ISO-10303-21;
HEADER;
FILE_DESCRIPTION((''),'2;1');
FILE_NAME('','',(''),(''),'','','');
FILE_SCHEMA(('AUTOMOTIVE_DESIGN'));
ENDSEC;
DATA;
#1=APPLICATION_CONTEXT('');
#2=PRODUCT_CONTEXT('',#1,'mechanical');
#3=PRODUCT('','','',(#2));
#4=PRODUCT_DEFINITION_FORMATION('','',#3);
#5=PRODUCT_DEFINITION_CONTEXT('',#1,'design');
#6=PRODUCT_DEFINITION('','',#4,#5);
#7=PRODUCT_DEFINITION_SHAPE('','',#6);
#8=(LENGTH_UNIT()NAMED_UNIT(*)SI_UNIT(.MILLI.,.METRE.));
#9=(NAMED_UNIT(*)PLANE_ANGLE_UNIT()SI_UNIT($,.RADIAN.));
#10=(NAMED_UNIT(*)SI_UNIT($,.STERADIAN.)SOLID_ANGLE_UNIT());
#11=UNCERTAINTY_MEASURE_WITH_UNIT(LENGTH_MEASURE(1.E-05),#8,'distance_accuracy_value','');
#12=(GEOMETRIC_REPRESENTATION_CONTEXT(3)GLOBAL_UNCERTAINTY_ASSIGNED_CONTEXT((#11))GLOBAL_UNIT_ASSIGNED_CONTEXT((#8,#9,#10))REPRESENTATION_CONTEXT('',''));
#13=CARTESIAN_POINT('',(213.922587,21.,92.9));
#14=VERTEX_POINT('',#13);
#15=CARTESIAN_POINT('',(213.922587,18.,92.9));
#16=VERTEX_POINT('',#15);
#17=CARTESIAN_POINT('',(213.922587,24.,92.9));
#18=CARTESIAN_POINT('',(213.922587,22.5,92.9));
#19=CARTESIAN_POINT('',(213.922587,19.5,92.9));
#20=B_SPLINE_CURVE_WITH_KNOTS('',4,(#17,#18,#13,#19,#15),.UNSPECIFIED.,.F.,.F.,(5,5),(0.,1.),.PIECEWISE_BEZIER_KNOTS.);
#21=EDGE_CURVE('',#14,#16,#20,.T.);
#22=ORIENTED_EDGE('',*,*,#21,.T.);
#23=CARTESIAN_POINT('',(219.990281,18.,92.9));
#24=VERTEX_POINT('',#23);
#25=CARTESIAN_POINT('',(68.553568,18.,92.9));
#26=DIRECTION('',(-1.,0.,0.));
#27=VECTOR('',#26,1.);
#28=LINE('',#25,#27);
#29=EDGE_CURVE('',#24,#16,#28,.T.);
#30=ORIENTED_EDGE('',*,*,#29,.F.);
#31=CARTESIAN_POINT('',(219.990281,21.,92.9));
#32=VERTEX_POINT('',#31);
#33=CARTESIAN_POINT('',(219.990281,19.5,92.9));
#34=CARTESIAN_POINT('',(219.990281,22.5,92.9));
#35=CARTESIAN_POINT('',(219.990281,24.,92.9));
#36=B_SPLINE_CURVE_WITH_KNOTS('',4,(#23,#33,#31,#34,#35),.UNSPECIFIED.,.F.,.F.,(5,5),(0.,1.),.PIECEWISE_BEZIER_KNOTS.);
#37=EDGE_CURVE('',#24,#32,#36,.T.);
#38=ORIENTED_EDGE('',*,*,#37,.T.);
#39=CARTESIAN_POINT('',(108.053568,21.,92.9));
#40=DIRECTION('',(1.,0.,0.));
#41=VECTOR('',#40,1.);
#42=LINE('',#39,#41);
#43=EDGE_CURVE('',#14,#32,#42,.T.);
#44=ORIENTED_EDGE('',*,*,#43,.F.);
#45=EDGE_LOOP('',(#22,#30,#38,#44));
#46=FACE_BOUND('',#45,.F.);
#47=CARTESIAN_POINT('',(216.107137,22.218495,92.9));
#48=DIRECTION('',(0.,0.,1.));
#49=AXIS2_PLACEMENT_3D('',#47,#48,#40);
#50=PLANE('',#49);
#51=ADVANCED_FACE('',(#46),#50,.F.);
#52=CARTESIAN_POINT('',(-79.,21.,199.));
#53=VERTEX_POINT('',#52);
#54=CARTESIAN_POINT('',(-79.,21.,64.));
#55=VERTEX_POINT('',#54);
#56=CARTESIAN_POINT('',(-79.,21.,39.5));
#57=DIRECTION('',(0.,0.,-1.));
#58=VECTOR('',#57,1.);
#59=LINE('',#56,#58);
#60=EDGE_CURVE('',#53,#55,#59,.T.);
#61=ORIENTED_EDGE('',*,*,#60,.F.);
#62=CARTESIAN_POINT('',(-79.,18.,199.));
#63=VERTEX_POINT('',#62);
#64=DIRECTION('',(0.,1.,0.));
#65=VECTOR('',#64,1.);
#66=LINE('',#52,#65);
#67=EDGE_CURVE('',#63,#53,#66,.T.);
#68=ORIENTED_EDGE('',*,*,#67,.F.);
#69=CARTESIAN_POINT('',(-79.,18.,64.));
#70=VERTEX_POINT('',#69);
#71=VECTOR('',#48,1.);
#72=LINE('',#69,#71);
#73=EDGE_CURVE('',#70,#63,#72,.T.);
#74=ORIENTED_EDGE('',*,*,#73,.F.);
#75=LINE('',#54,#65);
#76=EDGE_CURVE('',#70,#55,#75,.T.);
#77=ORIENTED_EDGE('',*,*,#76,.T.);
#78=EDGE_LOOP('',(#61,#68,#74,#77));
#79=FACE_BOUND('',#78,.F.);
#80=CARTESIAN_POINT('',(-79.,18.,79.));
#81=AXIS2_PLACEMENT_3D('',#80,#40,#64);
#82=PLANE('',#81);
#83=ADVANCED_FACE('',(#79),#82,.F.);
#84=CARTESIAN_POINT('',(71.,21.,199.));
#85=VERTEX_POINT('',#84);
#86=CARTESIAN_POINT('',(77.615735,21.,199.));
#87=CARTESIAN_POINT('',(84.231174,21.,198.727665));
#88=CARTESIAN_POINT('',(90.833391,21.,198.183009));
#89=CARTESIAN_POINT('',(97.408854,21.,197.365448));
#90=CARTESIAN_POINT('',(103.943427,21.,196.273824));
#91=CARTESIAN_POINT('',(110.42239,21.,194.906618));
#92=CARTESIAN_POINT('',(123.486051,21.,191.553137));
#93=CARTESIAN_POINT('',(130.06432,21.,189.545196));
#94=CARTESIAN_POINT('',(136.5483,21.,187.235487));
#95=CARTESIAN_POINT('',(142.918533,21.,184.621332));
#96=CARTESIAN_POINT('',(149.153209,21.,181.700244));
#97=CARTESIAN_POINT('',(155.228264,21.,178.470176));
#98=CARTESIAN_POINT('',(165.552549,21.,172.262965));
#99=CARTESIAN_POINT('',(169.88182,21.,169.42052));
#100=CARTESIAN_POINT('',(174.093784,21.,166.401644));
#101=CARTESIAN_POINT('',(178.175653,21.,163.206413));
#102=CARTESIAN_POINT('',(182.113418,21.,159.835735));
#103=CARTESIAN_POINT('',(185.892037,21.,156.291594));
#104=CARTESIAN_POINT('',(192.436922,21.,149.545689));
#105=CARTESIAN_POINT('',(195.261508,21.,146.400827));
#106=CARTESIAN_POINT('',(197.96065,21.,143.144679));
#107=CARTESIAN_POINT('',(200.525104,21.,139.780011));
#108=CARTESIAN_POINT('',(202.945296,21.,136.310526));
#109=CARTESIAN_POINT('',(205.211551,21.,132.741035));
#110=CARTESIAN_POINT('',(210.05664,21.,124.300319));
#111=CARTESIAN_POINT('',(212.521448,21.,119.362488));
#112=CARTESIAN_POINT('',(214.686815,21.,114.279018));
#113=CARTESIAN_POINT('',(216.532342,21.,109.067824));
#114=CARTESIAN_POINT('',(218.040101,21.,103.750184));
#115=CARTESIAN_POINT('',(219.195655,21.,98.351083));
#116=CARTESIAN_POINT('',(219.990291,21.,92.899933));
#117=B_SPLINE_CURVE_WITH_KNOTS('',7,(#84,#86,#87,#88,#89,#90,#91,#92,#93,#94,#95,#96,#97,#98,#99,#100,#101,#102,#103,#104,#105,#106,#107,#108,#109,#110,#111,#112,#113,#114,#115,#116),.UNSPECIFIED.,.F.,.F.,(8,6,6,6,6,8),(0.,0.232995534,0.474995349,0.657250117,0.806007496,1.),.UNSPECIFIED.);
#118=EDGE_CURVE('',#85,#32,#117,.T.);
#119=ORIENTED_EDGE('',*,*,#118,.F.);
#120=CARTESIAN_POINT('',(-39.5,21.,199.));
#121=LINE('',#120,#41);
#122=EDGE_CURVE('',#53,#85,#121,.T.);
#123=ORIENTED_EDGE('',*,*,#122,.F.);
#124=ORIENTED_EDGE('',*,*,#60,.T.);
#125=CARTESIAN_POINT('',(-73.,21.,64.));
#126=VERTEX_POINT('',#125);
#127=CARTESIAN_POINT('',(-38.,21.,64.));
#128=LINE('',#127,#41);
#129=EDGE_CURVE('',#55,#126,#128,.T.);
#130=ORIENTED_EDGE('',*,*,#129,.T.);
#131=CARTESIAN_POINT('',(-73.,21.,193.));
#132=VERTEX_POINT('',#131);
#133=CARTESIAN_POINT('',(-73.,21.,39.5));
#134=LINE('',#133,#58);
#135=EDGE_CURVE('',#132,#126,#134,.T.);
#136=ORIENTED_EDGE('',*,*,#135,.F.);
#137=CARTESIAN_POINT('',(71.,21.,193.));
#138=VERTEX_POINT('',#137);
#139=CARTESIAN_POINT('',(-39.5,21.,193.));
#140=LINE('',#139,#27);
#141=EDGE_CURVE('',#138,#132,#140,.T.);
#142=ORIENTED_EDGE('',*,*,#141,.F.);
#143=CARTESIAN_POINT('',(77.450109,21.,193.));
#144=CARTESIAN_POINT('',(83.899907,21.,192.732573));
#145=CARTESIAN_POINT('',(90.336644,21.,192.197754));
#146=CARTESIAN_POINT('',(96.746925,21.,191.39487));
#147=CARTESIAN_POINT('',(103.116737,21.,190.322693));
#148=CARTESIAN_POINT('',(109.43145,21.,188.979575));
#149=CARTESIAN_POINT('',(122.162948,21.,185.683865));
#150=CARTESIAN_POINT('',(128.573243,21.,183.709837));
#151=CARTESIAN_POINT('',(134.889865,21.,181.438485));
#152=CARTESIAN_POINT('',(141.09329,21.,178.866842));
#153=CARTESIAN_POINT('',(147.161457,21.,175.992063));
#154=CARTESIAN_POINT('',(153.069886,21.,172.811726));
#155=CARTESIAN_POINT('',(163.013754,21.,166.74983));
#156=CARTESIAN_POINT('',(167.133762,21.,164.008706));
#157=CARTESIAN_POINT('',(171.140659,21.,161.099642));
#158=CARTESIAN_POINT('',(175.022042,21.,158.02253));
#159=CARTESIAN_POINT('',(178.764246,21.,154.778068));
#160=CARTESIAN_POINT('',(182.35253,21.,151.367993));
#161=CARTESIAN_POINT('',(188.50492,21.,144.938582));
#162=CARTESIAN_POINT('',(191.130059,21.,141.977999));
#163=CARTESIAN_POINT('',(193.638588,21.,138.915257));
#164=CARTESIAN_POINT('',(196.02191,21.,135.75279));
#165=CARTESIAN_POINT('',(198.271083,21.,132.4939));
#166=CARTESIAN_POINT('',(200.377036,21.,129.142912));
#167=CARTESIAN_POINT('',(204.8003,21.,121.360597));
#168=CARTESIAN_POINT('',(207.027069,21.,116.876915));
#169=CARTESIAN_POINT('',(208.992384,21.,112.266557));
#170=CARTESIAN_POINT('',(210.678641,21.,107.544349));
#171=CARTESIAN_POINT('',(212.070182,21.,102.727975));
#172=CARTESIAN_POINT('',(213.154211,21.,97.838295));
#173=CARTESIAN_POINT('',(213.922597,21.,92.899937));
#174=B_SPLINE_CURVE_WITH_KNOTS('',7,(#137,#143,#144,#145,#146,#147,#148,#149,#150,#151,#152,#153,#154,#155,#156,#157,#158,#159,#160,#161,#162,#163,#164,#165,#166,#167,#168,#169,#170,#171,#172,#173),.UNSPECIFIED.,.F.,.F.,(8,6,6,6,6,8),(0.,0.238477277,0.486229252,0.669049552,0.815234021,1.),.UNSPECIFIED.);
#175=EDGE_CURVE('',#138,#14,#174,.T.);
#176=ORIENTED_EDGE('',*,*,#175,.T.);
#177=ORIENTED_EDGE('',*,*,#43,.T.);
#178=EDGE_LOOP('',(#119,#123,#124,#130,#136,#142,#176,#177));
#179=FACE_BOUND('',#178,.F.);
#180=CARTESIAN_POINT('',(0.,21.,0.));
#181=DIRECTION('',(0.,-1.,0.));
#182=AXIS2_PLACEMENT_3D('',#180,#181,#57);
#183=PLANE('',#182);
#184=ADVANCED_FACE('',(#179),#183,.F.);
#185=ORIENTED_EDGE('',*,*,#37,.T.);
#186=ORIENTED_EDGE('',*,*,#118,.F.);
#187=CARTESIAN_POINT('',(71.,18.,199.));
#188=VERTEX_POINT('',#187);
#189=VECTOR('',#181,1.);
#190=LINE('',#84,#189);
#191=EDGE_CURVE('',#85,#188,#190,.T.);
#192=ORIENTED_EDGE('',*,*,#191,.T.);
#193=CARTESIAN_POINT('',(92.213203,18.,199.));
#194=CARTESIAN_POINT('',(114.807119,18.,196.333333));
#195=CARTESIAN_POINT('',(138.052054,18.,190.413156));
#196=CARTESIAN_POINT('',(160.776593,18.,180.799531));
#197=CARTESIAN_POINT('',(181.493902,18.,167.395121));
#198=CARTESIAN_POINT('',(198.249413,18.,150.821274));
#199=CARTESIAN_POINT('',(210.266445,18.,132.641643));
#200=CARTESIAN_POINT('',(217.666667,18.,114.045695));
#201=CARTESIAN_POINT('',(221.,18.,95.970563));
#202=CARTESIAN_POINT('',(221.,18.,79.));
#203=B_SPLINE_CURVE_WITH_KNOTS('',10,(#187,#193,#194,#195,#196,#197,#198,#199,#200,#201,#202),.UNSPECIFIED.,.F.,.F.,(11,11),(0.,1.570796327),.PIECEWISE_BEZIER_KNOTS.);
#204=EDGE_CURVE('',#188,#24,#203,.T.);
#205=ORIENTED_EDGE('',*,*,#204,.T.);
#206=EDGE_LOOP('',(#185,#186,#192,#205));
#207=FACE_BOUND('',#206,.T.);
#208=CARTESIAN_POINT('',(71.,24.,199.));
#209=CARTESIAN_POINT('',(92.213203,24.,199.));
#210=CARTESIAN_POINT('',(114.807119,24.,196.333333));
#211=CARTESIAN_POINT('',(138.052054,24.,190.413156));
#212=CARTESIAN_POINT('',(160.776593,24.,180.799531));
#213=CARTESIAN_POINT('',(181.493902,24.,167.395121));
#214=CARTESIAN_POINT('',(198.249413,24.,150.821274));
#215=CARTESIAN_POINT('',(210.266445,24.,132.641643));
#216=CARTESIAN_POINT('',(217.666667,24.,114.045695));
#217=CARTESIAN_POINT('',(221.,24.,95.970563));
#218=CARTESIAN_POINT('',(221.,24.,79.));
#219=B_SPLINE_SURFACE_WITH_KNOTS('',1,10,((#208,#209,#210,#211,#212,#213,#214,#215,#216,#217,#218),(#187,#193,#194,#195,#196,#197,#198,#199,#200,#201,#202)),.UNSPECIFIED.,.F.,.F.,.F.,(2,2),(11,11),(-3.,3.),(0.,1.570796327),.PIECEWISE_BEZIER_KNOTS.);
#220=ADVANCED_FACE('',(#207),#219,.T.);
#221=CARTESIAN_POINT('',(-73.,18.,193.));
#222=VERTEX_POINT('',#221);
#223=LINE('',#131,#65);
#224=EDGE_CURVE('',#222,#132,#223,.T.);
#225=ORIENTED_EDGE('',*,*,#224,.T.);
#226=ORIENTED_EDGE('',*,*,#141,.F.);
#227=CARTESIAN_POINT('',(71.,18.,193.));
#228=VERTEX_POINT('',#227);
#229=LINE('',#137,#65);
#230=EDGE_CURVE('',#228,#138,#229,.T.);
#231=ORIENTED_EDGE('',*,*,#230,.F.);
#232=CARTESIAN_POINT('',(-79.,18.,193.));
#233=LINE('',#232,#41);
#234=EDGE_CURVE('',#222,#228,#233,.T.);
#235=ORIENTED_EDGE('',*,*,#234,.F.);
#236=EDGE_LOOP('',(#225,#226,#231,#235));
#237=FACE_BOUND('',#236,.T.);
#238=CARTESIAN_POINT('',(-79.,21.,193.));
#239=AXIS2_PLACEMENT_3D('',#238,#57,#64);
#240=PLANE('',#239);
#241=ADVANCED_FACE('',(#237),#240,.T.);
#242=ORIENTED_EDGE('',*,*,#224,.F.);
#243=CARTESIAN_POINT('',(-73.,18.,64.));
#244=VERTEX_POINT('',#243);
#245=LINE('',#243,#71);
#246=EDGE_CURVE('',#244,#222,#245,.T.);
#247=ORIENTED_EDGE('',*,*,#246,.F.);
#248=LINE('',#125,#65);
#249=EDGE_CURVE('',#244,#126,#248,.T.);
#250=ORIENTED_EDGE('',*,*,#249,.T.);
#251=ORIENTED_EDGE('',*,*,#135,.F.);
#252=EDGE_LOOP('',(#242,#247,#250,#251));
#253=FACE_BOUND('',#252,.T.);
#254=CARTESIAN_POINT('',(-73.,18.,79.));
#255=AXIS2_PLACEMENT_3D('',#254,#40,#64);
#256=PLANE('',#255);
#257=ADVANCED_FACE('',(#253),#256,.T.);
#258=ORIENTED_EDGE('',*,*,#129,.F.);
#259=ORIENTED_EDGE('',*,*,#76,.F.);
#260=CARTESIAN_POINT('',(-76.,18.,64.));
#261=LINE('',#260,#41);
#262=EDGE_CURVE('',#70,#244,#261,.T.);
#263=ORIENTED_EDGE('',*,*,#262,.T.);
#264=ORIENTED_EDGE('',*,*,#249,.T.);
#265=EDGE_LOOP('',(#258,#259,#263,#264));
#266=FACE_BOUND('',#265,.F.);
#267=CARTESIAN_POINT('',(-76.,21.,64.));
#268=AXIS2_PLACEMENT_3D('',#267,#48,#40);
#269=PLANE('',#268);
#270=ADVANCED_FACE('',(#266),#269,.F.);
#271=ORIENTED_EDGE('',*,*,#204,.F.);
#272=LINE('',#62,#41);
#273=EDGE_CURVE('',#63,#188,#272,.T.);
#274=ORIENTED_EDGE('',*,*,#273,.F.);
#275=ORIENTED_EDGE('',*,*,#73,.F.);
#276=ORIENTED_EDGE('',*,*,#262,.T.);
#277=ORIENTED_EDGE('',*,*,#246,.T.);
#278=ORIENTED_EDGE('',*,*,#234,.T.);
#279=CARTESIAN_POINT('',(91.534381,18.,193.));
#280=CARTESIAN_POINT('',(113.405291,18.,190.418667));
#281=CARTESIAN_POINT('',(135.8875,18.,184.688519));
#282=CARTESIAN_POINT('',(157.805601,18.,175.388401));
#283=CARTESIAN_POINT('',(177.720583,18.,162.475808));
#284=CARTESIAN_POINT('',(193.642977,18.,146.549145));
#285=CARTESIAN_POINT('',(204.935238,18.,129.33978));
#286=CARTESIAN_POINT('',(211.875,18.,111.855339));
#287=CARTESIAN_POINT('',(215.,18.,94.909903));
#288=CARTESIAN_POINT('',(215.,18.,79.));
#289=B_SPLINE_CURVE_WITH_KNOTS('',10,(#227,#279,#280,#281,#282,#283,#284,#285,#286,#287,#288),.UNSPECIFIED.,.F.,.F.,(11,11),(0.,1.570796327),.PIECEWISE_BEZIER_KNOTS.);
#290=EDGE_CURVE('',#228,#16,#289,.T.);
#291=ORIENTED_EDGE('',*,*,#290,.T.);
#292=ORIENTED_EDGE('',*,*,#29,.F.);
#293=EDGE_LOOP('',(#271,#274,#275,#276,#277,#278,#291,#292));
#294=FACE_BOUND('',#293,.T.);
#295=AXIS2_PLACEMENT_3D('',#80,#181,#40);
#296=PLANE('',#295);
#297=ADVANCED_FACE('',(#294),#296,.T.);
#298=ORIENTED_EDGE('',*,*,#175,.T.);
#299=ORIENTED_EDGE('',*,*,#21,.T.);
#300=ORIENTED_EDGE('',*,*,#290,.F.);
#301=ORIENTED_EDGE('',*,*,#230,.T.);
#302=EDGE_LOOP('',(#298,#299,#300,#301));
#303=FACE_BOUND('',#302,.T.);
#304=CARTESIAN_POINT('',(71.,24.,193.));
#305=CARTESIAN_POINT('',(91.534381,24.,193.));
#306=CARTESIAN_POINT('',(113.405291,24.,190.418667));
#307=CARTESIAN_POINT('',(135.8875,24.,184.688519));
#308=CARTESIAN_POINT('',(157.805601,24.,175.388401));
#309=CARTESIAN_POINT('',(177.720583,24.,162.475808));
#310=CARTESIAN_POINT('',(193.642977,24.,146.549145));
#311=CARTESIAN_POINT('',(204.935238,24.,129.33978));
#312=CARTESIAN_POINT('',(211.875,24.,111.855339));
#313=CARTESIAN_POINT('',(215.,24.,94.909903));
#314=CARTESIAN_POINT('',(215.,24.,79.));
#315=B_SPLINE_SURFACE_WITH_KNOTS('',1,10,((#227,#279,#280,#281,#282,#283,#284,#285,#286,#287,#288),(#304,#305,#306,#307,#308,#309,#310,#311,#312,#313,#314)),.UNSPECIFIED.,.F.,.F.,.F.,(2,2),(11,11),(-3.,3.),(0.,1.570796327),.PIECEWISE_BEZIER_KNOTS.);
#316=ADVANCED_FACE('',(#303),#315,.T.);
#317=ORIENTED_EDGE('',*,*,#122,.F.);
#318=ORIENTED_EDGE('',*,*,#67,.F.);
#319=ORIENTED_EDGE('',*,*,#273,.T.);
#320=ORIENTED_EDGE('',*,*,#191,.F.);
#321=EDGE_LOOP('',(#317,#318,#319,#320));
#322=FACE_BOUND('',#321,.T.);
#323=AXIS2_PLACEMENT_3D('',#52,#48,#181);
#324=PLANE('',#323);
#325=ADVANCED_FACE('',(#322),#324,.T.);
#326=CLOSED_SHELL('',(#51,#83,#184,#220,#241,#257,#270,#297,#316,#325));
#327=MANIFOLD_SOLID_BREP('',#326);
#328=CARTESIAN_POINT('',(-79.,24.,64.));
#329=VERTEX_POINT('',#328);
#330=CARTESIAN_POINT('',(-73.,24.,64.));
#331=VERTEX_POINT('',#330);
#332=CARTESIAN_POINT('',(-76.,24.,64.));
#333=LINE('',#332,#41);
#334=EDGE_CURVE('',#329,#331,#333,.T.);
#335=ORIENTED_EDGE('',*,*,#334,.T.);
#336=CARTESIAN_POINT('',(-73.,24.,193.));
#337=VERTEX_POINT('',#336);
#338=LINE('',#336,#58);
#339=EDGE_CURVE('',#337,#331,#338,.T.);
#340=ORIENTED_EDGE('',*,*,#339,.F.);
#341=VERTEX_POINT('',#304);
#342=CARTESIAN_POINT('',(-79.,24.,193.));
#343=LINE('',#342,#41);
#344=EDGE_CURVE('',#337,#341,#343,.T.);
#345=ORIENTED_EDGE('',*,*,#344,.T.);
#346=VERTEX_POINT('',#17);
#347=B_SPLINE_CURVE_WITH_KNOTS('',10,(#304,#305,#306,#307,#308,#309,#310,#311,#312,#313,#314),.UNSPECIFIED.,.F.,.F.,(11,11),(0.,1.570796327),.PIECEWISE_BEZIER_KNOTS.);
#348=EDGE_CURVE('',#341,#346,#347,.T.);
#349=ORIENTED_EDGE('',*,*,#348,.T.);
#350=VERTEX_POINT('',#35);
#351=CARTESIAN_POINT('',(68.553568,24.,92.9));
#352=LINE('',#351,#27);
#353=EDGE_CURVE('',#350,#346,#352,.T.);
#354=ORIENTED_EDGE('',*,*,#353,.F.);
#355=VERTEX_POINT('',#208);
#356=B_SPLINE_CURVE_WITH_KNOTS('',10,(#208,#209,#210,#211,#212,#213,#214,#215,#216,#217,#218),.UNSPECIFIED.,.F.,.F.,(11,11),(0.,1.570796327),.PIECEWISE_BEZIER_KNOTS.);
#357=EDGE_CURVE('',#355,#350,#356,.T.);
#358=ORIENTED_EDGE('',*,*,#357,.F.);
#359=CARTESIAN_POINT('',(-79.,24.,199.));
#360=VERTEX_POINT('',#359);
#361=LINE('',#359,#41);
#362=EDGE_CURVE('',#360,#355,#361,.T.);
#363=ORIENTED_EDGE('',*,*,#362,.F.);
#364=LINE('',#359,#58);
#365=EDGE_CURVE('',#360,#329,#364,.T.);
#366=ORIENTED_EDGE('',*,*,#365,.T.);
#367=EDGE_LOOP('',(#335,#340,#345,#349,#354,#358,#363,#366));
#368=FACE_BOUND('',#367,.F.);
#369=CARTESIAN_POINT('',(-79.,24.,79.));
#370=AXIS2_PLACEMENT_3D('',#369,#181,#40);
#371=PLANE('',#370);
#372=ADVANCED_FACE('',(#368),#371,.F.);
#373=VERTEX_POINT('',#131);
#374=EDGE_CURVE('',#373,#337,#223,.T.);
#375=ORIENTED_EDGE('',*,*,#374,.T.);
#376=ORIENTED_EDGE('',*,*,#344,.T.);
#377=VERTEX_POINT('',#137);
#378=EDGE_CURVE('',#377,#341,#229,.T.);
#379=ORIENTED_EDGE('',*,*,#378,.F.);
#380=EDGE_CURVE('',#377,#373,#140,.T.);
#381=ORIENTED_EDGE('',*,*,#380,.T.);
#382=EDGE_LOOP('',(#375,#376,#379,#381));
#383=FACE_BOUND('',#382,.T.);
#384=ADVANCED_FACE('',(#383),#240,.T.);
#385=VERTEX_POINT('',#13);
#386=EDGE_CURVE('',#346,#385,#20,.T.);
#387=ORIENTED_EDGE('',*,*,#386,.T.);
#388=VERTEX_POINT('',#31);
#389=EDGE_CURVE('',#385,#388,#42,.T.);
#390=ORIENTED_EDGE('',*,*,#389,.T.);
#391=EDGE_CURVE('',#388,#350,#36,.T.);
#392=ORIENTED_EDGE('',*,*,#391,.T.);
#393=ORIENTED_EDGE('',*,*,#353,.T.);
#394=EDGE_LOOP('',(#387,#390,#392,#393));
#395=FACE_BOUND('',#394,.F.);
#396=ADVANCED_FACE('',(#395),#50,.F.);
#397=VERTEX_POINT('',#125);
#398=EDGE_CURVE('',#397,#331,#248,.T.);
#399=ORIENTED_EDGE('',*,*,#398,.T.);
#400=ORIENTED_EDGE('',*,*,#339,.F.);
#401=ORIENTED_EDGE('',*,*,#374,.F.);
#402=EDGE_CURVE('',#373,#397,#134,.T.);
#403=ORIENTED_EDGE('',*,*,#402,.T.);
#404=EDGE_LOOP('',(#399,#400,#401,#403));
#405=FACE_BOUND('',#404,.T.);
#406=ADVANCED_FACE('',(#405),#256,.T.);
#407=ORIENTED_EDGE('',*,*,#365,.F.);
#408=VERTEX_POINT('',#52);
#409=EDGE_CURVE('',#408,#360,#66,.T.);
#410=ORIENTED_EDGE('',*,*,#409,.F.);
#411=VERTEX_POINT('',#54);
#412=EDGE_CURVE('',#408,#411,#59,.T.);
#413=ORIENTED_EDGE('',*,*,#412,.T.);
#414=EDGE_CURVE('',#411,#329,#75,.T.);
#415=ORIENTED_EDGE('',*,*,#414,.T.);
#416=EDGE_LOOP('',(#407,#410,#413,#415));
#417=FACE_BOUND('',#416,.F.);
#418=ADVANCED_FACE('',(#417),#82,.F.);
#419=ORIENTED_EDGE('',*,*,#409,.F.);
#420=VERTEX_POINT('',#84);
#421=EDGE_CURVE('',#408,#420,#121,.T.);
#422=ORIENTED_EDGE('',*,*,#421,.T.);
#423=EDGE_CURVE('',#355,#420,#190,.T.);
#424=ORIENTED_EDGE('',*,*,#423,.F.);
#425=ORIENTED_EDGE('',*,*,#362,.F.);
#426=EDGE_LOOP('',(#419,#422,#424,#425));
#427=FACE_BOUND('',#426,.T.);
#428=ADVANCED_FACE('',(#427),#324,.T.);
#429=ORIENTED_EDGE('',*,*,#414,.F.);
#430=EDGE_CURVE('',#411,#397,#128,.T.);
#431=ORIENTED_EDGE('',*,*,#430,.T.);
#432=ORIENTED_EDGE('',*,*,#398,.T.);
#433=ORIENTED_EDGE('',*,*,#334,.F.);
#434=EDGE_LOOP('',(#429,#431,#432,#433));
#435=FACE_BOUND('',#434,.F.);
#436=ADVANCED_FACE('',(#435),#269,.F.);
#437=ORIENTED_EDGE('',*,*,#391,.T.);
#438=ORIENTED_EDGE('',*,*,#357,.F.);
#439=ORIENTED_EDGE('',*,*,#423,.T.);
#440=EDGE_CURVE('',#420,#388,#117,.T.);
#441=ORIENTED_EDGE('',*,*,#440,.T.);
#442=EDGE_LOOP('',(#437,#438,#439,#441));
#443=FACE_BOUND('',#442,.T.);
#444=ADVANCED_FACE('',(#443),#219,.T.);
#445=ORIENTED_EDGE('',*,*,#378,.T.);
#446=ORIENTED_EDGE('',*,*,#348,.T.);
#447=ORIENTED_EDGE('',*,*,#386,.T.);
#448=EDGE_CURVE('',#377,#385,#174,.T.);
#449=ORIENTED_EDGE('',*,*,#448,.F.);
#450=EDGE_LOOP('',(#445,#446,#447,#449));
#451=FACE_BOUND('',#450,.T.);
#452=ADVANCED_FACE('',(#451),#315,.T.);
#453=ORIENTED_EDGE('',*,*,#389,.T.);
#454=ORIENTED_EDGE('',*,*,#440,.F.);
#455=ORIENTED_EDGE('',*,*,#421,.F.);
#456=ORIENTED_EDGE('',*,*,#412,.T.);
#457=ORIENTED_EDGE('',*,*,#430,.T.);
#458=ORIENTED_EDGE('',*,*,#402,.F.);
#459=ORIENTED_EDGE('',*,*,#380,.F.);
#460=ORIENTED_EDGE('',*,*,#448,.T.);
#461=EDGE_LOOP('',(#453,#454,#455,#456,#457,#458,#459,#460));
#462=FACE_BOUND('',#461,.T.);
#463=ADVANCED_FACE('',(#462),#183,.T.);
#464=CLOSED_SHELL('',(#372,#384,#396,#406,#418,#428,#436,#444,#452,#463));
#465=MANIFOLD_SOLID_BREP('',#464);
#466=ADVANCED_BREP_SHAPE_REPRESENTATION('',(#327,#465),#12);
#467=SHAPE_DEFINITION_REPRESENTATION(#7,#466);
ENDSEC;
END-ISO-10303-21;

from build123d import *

# Parameters (mm, degrees)
SKETCH3_W           = 6
SKETCH3_H           = 6
SKETCH6_W           = 6
SKETCH6_H           = 6
BOSS_EXTRUDE2_DEPTH = 15
SKETCH13_W          = 20.070411903
SKETCH13_H          = 20.135813936
CUT_EXTRUDE1_DEPTH  = 247.321355287


with BuildPart() as part:
    # Sweep2: sweep along a path in Sketch2
    with BuildLine() as sweep2_path:  # in the path sketch's own coordinates; laid on its plane below (add() does not lay a ready-made edge on the line's plane)
        Line((79, -79), (79, -199))
        Line((79, -199), (-71, -199))
        add(Edge.make_bspline(
            [(-71, -199), (-221, -199), (-221, -79)],
            knots=[0, 0, 0, 1.570796327, 1.570796327, 1.570796327], degree=2, weights=[1, 0.707106781, 1]))
    # Sketch3 → Sweep2 (sweep)
    with BuildSketch(Plane.XY.offset(79)):
        with Locations((-76, 21)):
            Rectangle(SKETCH3_W, SKETCH3_H)
    sweep(path=Plane(origin=(0, 21, 0), x_dir=(-1, 0, 0), z_dir=(0, -1, 0)) * sweep2_path.line, transition=Transition.RIGHT)

    # Sketch6 → Boss-Extrude2 (add)
    with BuildSketch(Plane.XY.offset(79)):
        with Locations((-76, 21)):
            Rectangle(SKETCH6_W, SKETCH6_H)
    extrude(amount=-BOSS_EXTRUDE2_DEPTH)

    # Sketch13 → Cut-Extrude1 (cut, through all)
    with BuildSketch(Plane.XY.offset(92.9)):
        with Locations((216.107136564, 22.218494932)):
            Rectangle(SKETCH13_W, SKETCH13_H)
    extrude(amount=-CUT_EXTRUDE1_DEPTH, mode=Mode.SUBTRACT)


with BuildPart() as body_2:
    # Split1: the piece on the far side of the plane
    add(part.part)
    split(bisect_by=Plane(origin=(0, 21, 0), x_dir=(0, 0, -1), z_dir=(0, -1, 0)), keep=Keep.BOTTOM)


with BuildPart() as part_1:
    add(part.part)

    # Split1
    split(bisect_by=Plane(origin=(0, 21, 0), x_dir=(0, 0, -1), z_dir=(0, -1, 0)), keep=Keep.TOP)


solid = Compound([body_2.part, part_1.part])
